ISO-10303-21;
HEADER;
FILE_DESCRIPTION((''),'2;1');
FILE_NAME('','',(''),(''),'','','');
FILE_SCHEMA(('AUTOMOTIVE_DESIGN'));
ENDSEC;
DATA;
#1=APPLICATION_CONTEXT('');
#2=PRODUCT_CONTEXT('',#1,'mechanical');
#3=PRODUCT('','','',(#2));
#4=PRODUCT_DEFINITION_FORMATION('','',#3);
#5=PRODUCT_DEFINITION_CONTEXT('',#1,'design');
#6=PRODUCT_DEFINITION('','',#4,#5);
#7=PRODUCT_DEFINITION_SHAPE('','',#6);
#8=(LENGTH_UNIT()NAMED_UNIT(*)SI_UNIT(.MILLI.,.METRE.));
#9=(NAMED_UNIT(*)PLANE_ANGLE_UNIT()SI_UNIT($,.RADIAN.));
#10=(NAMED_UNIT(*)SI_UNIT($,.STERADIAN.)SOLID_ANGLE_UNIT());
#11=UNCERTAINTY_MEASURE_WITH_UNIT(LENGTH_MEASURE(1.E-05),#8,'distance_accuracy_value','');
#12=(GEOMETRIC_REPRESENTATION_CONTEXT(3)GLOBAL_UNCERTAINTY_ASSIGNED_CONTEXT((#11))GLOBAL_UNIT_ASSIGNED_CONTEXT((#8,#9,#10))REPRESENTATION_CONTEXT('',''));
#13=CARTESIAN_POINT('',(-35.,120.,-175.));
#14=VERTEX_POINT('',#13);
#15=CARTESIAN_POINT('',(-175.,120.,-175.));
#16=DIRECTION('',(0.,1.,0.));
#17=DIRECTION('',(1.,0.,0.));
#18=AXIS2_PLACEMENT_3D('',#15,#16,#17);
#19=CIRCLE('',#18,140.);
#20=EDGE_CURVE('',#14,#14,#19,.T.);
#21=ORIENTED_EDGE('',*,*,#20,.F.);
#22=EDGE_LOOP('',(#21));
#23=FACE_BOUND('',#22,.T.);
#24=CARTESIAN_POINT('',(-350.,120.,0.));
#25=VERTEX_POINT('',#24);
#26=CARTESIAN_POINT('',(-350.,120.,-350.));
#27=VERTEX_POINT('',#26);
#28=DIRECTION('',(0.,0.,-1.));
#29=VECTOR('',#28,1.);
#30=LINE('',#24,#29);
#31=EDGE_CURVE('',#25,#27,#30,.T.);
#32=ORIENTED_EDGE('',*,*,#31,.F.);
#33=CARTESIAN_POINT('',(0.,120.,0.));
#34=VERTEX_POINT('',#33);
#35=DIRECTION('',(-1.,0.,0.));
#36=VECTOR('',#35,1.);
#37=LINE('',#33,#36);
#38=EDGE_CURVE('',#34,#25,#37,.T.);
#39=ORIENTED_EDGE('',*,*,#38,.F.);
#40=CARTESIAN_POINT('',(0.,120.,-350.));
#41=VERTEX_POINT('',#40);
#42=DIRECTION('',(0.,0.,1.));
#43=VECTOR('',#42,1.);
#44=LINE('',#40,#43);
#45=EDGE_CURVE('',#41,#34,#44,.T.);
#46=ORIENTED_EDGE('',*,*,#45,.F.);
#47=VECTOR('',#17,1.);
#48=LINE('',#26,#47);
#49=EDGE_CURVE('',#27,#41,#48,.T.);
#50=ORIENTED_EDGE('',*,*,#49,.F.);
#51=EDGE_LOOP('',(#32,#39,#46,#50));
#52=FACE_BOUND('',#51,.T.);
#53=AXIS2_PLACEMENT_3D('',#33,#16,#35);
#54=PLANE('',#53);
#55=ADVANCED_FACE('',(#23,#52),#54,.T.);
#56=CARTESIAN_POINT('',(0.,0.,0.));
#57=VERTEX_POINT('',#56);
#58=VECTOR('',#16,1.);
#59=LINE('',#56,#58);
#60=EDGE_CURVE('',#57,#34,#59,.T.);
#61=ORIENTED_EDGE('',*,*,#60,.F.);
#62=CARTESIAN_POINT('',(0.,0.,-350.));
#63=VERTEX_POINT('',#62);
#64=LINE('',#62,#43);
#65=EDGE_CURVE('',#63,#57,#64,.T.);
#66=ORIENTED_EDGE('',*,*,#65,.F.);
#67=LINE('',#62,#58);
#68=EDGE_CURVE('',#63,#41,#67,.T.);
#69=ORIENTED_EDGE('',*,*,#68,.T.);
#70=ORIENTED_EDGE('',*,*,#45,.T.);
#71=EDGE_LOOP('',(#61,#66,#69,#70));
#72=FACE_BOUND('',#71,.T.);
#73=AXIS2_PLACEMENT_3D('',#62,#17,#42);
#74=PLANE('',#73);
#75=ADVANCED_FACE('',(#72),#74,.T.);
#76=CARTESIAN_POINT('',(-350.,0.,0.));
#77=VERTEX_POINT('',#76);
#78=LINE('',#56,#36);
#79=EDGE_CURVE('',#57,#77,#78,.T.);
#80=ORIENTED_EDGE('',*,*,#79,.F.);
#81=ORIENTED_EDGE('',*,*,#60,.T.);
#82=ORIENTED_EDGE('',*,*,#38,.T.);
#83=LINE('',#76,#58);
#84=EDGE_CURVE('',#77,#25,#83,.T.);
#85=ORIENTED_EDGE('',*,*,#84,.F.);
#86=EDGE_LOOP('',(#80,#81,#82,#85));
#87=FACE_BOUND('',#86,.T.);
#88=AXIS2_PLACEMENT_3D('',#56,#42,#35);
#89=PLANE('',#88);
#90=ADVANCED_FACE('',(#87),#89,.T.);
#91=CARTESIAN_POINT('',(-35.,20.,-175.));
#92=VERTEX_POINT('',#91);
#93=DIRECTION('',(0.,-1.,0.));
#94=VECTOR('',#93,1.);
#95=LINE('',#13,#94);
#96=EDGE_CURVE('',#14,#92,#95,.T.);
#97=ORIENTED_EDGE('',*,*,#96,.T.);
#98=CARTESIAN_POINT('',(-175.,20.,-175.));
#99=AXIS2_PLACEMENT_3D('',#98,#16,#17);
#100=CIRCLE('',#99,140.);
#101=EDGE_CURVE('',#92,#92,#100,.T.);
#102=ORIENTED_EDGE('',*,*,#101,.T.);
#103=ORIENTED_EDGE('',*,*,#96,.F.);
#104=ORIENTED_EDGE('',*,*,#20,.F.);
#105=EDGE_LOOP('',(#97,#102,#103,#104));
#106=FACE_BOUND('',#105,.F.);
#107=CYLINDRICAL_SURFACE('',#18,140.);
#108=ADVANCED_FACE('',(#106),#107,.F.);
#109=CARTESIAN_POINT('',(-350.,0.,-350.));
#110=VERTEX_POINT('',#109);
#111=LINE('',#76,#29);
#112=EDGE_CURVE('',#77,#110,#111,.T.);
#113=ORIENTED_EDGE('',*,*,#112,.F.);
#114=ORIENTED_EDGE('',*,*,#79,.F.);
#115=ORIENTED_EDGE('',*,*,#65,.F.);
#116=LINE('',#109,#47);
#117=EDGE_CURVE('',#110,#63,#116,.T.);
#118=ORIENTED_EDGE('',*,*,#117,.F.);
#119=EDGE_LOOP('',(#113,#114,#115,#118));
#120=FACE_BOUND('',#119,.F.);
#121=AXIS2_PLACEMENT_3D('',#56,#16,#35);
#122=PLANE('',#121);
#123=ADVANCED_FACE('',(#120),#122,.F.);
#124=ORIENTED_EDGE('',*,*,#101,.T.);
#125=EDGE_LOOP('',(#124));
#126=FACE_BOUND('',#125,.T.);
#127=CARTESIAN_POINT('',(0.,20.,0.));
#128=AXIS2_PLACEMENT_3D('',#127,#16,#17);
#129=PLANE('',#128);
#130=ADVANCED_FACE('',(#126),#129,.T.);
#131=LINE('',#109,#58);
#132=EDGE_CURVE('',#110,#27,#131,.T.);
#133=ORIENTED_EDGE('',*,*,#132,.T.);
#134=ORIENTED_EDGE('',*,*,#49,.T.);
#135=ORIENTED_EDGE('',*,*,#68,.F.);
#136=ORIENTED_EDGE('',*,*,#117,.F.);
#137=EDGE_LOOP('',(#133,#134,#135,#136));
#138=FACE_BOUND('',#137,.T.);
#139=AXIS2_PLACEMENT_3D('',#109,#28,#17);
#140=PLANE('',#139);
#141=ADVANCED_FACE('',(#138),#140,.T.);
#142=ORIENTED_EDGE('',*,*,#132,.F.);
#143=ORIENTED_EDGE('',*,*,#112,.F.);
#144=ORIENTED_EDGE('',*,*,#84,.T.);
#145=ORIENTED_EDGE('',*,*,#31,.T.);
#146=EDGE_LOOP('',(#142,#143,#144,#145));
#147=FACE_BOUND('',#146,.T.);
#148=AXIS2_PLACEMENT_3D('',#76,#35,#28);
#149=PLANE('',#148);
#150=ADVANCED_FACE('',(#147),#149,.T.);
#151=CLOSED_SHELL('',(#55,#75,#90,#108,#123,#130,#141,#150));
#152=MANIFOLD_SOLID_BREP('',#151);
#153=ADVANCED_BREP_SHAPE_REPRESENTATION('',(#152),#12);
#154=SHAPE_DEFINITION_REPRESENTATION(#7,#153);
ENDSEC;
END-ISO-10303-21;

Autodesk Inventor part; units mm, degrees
ref_plane "YZ Plane" through (0, 0, 0) normal (1, 0, 0) x (0, 1, 0)
ref_plane "XZ Plane" through (0, 0, 0) normal (0, 1, 0) x (-1, 0, 0)
ref_plane "XY Plane" through (0, 0, 0) normal (0, 0, 1) x (1, 0, 0)
sketch "Esquisse1" plane through (0, 0, 0) normal (0, 1, 0) x (-1, 0, 0)
  line L0 (0, 0) -> (350, 0)
  line L1 (350, 0) -> (350, -350)
  line L2 (350, -350) -> (0, -350)
  line L3 (0, -350) -> (0, 0)
  dimension "d0" = 350
  dimension "d1" = 350
extrude "Extrusion1" add sketch "Esquisse1" along normal blind 120
sketch "Esquisse2" plane through (0, 120, 0) normal (0, 1, 0) x (1, 0, 0)
  line L0 (0, 350) -> (-350, 350) projected
  line L1 (-350, 350) -> (-350, 0) projected
  circle A0 centre (-175, 175) radius 140
  point P0 (0, 0)
  dimension "d4" = 175
  dimension "d5" = 175
  dimension "d6" = 280
extrude "Extrusion2" cut sketch "Esquisse2" against normal blind 100
